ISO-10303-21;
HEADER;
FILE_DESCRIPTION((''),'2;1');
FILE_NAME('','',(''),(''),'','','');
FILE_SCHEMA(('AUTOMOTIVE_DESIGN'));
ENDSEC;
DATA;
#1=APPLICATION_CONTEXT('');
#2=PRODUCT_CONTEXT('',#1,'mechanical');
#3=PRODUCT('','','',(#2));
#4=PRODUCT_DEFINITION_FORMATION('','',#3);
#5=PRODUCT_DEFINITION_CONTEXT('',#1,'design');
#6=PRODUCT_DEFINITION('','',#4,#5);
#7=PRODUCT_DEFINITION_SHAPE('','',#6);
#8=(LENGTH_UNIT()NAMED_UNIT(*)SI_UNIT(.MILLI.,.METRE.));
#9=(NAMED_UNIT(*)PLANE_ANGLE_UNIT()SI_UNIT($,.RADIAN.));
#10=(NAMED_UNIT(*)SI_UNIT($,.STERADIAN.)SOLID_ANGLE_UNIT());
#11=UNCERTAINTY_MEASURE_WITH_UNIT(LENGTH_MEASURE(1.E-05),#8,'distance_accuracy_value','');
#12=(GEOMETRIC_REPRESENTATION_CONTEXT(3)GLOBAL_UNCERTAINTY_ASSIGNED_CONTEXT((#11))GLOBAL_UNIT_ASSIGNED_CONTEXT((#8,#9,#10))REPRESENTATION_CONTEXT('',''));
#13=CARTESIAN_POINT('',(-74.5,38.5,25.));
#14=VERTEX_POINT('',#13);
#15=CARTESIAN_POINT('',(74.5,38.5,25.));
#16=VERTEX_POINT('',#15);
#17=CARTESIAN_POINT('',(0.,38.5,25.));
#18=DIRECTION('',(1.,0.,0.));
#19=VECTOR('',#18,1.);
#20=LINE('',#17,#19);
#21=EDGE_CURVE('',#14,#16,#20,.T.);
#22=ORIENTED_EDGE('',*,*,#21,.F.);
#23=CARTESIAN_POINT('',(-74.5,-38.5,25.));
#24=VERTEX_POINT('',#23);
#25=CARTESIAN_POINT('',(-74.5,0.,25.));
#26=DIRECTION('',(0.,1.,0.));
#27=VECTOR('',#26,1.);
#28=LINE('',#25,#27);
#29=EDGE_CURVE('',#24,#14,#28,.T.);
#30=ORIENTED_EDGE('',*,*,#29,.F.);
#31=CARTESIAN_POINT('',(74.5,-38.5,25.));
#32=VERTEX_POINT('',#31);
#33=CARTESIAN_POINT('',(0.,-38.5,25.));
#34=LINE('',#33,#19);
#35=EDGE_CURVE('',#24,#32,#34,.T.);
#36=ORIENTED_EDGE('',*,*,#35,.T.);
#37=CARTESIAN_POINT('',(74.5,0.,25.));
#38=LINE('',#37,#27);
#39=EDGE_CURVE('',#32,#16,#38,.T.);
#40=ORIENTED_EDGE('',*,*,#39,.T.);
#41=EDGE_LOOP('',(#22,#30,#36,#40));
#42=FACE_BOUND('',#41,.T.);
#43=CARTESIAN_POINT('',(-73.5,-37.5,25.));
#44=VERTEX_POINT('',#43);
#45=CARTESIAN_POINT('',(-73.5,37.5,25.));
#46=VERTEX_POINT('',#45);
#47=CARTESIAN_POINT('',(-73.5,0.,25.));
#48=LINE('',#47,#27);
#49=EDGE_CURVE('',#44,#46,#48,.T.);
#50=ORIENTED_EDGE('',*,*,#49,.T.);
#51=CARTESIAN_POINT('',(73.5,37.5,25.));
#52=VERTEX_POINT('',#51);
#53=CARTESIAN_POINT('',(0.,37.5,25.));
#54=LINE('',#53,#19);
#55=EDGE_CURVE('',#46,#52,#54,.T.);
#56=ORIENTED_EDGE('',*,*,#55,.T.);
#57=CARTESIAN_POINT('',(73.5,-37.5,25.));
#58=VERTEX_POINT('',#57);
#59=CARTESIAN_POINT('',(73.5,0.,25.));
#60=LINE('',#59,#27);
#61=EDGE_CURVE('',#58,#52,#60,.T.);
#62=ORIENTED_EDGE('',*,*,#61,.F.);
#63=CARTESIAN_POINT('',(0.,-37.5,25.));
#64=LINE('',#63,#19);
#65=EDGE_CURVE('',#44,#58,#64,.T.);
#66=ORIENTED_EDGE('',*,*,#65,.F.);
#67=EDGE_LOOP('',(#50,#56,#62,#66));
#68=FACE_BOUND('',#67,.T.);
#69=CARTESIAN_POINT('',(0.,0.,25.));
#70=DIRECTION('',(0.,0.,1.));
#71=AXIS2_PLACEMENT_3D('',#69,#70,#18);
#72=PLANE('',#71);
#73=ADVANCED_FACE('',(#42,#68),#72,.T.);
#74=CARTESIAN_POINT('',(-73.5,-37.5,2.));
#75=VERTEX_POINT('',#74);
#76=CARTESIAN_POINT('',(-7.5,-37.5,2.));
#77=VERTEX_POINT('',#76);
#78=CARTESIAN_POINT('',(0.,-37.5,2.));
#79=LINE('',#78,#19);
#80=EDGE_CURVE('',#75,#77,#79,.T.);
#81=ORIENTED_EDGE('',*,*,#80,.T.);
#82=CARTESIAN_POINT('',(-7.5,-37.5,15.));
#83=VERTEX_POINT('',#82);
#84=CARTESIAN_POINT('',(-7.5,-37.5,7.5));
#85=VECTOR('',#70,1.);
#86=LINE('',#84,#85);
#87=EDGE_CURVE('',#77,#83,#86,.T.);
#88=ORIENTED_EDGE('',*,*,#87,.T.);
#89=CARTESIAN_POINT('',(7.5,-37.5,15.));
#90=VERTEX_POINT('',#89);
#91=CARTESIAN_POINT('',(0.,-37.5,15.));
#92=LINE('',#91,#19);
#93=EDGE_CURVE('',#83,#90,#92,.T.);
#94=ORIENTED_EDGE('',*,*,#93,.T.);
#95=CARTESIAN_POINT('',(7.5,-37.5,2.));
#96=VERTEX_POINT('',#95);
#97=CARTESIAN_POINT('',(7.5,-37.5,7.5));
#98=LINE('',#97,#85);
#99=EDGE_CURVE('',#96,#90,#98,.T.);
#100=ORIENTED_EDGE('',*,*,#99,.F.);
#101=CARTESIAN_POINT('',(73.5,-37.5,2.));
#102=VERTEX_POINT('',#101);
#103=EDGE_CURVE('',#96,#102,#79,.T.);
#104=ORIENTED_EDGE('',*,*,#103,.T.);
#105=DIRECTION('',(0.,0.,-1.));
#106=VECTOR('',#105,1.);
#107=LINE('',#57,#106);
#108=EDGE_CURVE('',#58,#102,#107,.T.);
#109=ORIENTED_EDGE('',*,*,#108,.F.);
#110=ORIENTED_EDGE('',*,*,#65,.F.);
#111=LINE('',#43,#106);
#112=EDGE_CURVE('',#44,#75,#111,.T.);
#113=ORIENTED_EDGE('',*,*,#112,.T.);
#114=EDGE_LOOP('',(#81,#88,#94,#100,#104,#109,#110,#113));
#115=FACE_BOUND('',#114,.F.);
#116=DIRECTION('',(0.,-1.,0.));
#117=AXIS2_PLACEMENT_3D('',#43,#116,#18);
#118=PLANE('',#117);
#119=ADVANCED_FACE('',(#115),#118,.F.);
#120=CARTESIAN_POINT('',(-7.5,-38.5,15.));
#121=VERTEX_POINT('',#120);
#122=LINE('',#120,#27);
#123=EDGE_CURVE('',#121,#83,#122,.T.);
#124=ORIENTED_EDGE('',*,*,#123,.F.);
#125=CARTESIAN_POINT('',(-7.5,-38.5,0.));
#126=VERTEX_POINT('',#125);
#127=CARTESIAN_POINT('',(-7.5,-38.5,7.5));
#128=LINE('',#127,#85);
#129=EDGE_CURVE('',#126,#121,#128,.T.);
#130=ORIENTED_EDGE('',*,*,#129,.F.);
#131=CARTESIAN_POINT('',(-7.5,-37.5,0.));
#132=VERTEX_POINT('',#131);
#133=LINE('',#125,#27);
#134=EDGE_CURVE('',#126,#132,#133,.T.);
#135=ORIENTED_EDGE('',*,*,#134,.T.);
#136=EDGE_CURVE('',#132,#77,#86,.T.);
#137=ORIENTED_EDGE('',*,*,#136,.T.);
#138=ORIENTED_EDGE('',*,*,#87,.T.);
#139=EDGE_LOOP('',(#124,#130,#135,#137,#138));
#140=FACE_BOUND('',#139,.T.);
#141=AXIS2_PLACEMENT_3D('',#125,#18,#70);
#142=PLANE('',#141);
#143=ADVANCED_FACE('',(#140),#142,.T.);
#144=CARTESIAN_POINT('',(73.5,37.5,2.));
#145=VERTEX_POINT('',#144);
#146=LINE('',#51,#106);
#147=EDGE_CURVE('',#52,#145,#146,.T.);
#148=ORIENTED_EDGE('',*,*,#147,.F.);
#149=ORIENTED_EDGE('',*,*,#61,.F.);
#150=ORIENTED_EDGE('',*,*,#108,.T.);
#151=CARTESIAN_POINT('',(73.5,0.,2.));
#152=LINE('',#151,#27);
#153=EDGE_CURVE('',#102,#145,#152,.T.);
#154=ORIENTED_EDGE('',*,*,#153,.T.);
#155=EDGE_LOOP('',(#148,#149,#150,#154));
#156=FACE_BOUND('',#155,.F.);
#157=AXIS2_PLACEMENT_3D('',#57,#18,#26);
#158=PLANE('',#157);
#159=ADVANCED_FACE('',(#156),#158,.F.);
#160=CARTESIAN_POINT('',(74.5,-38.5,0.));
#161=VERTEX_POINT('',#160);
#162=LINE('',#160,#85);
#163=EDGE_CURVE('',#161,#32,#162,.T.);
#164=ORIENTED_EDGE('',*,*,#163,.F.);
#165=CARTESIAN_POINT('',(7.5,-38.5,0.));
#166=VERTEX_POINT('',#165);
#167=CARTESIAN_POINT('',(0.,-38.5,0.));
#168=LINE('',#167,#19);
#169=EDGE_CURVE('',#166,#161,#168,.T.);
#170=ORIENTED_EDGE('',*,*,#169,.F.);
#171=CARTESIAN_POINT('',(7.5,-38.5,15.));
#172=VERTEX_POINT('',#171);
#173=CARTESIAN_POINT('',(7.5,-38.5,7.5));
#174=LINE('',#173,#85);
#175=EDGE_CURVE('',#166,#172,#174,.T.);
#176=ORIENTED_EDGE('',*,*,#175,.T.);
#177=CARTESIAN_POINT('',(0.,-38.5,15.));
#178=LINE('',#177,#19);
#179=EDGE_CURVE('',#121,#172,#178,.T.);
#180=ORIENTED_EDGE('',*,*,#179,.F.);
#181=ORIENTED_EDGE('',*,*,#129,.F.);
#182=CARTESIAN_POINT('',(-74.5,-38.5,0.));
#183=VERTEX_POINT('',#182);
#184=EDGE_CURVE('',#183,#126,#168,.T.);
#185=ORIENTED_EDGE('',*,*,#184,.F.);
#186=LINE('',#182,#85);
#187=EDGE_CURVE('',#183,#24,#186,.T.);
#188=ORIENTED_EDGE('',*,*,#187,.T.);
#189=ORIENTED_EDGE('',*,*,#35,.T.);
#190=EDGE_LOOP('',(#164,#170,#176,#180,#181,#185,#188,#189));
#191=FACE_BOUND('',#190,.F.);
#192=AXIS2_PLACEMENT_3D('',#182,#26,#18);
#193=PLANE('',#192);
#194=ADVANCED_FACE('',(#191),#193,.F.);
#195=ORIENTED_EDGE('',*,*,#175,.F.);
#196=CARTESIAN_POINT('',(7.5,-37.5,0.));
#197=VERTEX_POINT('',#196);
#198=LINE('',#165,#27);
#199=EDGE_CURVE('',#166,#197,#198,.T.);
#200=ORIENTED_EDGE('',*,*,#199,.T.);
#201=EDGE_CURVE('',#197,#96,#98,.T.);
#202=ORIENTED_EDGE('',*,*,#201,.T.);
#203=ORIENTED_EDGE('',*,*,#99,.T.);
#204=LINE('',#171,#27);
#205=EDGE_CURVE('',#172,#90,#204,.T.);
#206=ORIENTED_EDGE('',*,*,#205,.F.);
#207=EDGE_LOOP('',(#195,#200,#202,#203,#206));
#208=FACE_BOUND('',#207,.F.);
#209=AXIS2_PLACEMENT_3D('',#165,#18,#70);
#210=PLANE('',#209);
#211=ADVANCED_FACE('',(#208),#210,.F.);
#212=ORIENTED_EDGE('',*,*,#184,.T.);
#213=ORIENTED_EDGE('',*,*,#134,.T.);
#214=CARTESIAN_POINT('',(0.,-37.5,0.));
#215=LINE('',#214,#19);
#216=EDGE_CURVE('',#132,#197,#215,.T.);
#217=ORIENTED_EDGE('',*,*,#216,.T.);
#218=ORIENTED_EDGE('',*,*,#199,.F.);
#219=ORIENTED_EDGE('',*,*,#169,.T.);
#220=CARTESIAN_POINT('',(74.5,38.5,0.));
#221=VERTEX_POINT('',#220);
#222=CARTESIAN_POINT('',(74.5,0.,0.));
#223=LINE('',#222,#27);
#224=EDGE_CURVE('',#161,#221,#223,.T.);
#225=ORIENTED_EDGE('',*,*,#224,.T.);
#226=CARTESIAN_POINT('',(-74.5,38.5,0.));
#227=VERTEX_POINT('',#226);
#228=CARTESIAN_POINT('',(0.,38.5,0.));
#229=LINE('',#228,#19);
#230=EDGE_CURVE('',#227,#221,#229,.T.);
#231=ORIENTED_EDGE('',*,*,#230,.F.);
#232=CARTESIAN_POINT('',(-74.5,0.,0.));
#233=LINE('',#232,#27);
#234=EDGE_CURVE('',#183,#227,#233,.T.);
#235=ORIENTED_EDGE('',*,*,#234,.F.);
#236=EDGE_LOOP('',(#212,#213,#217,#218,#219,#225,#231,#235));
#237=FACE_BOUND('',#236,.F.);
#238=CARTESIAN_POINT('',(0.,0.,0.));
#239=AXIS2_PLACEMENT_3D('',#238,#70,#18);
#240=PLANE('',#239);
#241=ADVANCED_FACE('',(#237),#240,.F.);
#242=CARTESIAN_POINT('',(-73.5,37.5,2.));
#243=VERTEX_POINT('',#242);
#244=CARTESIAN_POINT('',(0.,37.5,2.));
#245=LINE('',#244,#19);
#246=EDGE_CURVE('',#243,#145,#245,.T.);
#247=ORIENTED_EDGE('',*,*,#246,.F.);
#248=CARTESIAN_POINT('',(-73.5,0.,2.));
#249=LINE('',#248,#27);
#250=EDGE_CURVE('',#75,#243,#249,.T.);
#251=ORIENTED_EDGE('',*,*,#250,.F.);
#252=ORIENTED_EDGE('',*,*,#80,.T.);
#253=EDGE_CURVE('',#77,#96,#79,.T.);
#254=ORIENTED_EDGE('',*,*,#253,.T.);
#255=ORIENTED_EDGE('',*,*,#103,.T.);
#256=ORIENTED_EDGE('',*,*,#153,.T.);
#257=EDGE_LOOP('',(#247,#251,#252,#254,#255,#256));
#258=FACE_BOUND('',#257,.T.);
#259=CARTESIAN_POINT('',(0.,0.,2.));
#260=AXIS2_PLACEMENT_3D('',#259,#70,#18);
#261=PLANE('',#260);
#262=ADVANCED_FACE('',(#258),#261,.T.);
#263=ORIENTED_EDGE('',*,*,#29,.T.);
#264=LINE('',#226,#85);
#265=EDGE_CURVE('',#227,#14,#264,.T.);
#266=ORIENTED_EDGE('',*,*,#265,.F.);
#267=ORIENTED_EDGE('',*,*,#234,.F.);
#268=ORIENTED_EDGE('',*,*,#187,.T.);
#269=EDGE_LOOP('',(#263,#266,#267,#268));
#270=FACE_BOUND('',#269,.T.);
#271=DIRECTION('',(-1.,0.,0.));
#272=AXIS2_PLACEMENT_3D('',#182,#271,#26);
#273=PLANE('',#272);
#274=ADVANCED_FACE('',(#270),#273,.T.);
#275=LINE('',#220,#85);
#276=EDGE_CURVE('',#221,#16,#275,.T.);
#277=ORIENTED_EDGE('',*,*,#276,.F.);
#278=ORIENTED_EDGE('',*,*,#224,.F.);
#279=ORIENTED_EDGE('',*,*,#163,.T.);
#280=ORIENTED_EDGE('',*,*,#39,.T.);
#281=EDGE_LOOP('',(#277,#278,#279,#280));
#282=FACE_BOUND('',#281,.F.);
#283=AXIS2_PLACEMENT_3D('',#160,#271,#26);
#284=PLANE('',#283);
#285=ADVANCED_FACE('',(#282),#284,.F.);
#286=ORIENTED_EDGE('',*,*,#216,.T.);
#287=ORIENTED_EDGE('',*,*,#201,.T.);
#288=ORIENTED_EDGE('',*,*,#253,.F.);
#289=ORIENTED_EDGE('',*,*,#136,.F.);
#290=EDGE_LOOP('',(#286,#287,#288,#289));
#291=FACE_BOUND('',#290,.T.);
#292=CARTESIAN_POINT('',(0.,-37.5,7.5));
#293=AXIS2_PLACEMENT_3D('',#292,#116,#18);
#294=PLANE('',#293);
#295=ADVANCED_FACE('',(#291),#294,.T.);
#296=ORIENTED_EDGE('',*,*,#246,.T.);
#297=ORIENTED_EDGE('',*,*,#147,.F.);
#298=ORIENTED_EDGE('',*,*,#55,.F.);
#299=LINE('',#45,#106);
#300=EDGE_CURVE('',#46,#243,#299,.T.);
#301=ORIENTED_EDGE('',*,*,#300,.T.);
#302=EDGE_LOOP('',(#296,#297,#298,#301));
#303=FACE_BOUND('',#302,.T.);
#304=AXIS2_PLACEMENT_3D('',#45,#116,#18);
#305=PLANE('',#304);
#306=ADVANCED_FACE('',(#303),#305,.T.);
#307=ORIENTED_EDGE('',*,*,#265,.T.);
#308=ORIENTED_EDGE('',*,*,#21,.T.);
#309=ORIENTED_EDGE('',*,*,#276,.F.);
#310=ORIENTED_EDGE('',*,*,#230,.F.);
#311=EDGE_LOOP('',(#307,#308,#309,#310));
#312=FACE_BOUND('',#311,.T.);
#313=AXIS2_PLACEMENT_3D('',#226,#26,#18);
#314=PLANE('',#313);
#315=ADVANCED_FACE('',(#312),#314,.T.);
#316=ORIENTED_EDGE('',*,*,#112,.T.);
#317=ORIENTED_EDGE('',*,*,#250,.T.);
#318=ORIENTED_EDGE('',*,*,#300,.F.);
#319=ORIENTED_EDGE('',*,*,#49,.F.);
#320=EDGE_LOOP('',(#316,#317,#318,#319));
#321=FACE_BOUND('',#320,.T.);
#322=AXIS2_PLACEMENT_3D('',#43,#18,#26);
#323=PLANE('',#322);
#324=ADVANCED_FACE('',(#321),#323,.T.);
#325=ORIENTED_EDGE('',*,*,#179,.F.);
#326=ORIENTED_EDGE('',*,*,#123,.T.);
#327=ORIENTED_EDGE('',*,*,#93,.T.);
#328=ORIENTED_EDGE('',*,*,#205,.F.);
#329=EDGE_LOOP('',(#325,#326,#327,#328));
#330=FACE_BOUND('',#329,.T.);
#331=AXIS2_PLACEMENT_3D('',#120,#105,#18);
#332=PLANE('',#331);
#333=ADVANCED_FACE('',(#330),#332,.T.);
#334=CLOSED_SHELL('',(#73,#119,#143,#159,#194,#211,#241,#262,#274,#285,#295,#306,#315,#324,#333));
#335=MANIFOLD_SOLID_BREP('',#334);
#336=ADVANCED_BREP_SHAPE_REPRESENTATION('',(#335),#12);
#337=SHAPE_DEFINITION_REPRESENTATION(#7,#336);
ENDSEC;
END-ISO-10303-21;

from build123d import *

# Parameters (mm, degrees)
F0_W     = 149
F0_H     = 77
F1_DEPTH = 25
F2_W     = 147
F2_H     = 75
F3_DEPTH = 23
F4_W     = 15
F4_H     = 15
F5_DEPTH = 1


with BuildPart() as f1:
    # F0 (on Top) → F1 (new body)
    with BuildSketch(Plane.XY):
        Rectangle(F0_W, F0_H)
    extrude(amount=F1_DEPTH)

    # F2 (on face) → F3 (cut)
    with BuildSketch(Plane.XY.offset(25)):
        Rectangle(F2_W, F2_H)
    extrude(amount=-F3_DEPTH, mode=Mode.SUBTRACT)

    # F4 (on face) → F5 (cut)
    with BuildSketch(Plane.XZ.offset(38.5)):
        with Locations((0, 7.5)):
            Rectangle(F4_W, F4_H)
    extrude(amount=-F5_DEPTH, mode=Mode.SUBTRACT)


solid = f1.part
